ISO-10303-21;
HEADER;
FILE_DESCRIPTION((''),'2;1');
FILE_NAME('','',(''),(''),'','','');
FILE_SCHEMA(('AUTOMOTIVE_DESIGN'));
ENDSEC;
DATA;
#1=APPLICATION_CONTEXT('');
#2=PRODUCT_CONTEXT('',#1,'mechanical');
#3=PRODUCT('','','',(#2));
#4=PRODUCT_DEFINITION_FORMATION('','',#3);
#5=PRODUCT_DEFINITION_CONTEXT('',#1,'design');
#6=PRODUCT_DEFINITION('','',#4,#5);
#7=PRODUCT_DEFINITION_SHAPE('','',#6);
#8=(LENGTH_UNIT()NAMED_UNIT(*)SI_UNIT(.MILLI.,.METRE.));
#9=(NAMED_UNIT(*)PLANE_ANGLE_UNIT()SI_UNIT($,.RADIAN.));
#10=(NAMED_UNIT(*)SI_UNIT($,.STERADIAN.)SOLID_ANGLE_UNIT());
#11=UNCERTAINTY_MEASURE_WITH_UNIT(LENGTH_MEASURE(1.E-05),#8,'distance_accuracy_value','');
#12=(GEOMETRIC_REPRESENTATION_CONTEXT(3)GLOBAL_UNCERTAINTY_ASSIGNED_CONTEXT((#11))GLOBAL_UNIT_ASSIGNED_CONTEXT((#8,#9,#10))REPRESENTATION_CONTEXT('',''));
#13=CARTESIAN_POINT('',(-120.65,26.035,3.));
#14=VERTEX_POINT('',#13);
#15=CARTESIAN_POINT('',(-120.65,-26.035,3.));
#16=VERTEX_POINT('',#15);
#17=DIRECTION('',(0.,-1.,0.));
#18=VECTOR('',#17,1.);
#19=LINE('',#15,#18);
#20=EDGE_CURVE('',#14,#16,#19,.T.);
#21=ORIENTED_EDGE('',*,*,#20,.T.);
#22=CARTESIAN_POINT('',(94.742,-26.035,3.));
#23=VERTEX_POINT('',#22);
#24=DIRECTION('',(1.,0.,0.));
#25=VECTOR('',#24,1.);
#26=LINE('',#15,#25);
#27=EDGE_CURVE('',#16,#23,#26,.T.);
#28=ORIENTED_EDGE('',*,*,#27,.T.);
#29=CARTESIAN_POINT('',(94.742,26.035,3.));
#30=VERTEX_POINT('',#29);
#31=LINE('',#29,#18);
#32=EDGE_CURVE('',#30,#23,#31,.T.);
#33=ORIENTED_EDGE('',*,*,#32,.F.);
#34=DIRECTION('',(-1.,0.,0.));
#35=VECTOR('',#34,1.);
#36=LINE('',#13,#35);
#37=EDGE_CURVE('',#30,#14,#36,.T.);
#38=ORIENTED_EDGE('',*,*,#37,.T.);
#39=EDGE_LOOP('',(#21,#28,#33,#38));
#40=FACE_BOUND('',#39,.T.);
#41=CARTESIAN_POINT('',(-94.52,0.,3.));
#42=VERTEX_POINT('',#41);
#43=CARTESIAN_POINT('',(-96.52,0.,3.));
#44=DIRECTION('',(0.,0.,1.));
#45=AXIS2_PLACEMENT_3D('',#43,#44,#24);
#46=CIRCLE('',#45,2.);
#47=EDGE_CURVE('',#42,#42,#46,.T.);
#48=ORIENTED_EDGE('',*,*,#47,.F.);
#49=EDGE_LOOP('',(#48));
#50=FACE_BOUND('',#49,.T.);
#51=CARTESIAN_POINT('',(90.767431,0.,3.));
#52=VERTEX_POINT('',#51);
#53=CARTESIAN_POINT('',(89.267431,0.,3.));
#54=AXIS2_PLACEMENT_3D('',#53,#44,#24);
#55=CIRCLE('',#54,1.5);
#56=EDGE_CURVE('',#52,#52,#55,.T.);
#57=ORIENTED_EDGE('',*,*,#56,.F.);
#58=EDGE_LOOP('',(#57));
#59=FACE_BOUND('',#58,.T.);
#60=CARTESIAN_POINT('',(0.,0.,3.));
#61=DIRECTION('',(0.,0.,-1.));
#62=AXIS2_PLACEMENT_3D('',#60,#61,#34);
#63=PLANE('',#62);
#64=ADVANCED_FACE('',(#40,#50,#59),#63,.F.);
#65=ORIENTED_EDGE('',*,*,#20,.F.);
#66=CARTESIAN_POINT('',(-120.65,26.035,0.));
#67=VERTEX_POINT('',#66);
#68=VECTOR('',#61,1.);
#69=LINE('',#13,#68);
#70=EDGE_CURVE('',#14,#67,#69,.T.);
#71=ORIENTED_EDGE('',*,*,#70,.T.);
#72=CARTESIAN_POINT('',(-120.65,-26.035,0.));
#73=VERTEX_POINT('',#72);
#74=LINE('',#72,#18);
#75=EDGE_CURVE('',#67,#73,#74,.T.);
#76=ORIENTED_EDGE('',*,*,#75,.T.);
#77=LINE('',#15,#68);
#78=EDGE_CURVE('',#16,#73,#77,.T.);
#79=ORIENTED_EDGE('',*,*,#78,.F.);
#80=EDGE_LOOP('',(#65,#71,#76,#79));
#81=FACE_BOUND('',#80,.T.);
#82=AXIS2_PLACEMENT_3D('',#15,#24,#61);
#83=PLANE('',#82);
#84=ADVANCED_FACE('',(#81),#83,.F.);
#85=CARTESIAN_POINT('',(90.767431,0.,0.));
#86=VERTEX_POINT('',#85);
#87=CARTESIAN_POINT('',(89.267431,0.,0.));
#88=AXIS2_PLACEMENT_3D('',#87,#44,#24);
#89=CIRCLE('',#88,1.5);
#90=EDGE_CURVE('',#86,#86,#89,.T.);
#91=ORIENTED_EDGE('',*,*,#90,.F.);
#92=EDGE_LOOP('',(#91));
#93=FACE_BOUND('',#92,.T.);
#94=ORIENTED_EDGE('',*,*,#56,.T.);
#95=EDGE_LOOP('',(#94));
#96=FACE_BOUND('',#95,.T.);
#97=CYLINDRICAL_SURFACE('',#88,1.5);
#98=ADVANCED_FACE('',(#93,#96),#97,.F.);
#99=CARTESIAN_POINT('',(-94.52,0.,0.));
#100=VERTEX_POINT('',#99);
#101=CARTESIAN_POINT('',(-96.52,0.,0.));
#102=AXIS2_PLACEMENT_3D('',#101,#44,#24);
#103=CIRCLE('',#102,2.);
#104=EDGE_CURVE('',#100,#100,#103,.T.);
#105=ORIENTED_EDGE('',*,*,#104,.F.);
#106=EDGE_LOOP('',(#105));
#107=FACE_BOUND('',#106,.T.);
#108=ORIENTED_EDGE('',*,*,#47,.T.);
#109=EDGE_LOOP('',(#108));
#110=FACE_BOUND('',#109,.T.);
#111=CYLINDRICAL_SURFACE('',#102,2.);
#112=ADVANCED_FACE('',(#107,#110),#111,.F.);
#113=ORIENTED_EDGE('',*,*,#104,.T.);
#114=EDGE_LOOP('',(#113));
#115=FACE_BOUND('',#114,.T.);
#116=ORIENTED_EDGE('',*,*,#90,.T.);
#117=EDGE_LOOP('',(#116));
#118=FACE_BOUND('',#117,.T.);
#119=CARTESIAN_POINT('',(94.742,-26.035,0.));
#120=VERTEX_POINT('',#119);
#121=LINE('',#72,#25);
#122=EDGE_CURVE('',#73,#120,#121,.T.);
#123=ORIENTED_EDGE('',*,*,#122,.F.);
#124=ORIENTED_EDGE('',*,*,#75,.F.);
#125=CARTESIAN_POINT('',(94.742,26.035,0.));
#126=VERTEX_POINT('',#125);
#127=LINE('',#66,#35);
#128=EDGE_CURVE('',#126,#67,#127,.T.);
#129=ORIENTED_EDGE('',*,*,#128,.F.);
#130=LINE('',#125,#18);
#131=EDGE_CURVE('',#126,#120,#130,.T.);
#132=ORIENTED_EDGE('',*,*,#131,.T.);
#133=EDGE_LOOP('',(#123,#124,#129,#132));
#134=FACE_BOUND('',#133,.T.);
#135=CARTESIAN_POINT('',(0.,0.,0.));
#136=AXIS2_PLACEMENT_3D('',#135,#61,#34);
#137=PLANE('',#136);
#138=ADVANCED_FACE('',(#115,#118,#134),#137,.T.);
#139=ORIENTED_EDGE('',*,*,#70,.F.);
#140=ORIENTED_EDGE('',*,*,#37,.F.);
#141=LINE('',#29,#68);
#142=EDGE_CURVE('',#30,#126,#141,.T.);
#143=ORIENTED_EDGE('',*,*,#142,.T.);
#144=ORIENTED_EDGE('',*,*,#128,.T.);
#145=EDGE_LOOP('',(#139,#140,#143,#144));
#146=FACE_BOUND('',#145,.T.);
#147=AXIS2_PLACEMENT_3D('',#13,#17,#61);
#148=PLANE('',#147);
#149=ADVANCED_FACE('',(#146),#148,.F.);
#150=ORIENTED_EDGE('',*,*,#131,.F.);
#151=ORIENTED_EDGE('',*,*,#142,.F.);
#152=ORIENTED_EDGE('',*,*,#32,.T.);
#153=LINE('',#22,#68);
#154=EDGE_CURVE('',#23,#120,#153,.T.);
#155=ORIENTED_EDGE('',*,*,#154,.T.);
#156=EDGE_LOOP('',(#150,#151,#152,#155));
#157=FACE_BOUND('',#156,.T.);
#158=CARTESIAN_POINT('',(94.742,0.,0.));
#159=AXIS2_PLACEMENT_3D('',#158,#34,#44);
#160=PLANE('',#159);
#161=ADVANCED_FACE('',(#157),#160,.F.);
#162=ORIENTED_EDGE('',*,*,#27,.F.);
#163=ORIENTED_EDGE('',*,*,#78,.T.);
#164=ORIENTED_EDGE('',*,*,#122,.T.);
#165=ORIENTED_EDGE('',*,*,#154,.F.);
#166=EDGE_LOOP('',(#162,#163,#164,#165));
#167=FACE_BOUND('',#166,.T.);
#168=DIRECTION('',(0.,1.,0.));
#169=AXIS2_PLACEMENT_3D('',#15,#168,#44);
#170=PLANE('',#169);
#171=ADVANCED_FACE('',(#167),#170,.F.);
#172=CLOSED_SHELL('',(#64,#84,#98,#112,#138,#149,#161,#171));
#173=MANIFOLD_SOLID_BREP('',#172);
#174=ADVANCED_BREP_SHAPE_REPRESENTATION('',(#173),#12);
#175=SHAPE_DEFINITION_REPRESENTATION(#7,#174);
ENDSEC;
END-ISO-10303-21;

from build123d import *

# Parameters (mm, degrees)
SKETCH1_W           = 241.3
SKETCH1_H           = 52.07
BOSS_EXTRUDE1_DEPTH = 3
SKETCH2_R           = 2
CUT_EXTRUDE1_DEPTH  = 124.463531964
SKETCH7_R           = 1.5
CUT_EXTRUDE3_DEPTH  = 124.463531964
SKETCH8_W           = 3
SKETCH8_H           = 52.07
CUT_EXTRUDE4_DEPTH  = 25.908


with BuildPart() as part:
    # Sketch1 → Boss-Extrude1 (new body)
    with BuildSketch(Plane.XY):
        Rectangle(SKETCH1_W, SKETCH1_H)
    extrude(amount=BOSS_EXTRUDE1_DEPTH)

    # Sketch2 → Cut-Extrude1 (cut, through all)
    with BuildSketch(Plane.XY.offset(3)):
        with Locations((113.339406907, 0)):
            Circle(SKETCH2_R)
        with Locations((-96.52, 0)):
            Circle(SKETCH2_R)
    extrude(amount=-CUT_EXTRUDE1_DEPTH, mode=Mode.SUBTRACT)

    # Sketch7 → Cut-Extrude3 (cut, through all)
    with BuildSketch(Plane.XY.offset(3)):
        with Locations((89.267430612, 0)):
            Circle(SKETCH7_R)
    extrude(amount=-CUT_EXTRUDE3_DEPTH, mode=Mode.SUBTRACT)

    # Sketch8 → Cut-Extrude4 (cut)
    with BuildSketch(Plane(origin=(120.65, 0, 0), x_dir=(0, 0, -1), z_dir=(1, 0, 0))):
        with Locations((-1.5, 0)):
            Rectangle(SKETCH8_W, SKETCH8_H)
    extrude(amount=-CUT_EXTRUDE4_DEPTH, mode=Mode.SUBTRACT)


solid = part.part
